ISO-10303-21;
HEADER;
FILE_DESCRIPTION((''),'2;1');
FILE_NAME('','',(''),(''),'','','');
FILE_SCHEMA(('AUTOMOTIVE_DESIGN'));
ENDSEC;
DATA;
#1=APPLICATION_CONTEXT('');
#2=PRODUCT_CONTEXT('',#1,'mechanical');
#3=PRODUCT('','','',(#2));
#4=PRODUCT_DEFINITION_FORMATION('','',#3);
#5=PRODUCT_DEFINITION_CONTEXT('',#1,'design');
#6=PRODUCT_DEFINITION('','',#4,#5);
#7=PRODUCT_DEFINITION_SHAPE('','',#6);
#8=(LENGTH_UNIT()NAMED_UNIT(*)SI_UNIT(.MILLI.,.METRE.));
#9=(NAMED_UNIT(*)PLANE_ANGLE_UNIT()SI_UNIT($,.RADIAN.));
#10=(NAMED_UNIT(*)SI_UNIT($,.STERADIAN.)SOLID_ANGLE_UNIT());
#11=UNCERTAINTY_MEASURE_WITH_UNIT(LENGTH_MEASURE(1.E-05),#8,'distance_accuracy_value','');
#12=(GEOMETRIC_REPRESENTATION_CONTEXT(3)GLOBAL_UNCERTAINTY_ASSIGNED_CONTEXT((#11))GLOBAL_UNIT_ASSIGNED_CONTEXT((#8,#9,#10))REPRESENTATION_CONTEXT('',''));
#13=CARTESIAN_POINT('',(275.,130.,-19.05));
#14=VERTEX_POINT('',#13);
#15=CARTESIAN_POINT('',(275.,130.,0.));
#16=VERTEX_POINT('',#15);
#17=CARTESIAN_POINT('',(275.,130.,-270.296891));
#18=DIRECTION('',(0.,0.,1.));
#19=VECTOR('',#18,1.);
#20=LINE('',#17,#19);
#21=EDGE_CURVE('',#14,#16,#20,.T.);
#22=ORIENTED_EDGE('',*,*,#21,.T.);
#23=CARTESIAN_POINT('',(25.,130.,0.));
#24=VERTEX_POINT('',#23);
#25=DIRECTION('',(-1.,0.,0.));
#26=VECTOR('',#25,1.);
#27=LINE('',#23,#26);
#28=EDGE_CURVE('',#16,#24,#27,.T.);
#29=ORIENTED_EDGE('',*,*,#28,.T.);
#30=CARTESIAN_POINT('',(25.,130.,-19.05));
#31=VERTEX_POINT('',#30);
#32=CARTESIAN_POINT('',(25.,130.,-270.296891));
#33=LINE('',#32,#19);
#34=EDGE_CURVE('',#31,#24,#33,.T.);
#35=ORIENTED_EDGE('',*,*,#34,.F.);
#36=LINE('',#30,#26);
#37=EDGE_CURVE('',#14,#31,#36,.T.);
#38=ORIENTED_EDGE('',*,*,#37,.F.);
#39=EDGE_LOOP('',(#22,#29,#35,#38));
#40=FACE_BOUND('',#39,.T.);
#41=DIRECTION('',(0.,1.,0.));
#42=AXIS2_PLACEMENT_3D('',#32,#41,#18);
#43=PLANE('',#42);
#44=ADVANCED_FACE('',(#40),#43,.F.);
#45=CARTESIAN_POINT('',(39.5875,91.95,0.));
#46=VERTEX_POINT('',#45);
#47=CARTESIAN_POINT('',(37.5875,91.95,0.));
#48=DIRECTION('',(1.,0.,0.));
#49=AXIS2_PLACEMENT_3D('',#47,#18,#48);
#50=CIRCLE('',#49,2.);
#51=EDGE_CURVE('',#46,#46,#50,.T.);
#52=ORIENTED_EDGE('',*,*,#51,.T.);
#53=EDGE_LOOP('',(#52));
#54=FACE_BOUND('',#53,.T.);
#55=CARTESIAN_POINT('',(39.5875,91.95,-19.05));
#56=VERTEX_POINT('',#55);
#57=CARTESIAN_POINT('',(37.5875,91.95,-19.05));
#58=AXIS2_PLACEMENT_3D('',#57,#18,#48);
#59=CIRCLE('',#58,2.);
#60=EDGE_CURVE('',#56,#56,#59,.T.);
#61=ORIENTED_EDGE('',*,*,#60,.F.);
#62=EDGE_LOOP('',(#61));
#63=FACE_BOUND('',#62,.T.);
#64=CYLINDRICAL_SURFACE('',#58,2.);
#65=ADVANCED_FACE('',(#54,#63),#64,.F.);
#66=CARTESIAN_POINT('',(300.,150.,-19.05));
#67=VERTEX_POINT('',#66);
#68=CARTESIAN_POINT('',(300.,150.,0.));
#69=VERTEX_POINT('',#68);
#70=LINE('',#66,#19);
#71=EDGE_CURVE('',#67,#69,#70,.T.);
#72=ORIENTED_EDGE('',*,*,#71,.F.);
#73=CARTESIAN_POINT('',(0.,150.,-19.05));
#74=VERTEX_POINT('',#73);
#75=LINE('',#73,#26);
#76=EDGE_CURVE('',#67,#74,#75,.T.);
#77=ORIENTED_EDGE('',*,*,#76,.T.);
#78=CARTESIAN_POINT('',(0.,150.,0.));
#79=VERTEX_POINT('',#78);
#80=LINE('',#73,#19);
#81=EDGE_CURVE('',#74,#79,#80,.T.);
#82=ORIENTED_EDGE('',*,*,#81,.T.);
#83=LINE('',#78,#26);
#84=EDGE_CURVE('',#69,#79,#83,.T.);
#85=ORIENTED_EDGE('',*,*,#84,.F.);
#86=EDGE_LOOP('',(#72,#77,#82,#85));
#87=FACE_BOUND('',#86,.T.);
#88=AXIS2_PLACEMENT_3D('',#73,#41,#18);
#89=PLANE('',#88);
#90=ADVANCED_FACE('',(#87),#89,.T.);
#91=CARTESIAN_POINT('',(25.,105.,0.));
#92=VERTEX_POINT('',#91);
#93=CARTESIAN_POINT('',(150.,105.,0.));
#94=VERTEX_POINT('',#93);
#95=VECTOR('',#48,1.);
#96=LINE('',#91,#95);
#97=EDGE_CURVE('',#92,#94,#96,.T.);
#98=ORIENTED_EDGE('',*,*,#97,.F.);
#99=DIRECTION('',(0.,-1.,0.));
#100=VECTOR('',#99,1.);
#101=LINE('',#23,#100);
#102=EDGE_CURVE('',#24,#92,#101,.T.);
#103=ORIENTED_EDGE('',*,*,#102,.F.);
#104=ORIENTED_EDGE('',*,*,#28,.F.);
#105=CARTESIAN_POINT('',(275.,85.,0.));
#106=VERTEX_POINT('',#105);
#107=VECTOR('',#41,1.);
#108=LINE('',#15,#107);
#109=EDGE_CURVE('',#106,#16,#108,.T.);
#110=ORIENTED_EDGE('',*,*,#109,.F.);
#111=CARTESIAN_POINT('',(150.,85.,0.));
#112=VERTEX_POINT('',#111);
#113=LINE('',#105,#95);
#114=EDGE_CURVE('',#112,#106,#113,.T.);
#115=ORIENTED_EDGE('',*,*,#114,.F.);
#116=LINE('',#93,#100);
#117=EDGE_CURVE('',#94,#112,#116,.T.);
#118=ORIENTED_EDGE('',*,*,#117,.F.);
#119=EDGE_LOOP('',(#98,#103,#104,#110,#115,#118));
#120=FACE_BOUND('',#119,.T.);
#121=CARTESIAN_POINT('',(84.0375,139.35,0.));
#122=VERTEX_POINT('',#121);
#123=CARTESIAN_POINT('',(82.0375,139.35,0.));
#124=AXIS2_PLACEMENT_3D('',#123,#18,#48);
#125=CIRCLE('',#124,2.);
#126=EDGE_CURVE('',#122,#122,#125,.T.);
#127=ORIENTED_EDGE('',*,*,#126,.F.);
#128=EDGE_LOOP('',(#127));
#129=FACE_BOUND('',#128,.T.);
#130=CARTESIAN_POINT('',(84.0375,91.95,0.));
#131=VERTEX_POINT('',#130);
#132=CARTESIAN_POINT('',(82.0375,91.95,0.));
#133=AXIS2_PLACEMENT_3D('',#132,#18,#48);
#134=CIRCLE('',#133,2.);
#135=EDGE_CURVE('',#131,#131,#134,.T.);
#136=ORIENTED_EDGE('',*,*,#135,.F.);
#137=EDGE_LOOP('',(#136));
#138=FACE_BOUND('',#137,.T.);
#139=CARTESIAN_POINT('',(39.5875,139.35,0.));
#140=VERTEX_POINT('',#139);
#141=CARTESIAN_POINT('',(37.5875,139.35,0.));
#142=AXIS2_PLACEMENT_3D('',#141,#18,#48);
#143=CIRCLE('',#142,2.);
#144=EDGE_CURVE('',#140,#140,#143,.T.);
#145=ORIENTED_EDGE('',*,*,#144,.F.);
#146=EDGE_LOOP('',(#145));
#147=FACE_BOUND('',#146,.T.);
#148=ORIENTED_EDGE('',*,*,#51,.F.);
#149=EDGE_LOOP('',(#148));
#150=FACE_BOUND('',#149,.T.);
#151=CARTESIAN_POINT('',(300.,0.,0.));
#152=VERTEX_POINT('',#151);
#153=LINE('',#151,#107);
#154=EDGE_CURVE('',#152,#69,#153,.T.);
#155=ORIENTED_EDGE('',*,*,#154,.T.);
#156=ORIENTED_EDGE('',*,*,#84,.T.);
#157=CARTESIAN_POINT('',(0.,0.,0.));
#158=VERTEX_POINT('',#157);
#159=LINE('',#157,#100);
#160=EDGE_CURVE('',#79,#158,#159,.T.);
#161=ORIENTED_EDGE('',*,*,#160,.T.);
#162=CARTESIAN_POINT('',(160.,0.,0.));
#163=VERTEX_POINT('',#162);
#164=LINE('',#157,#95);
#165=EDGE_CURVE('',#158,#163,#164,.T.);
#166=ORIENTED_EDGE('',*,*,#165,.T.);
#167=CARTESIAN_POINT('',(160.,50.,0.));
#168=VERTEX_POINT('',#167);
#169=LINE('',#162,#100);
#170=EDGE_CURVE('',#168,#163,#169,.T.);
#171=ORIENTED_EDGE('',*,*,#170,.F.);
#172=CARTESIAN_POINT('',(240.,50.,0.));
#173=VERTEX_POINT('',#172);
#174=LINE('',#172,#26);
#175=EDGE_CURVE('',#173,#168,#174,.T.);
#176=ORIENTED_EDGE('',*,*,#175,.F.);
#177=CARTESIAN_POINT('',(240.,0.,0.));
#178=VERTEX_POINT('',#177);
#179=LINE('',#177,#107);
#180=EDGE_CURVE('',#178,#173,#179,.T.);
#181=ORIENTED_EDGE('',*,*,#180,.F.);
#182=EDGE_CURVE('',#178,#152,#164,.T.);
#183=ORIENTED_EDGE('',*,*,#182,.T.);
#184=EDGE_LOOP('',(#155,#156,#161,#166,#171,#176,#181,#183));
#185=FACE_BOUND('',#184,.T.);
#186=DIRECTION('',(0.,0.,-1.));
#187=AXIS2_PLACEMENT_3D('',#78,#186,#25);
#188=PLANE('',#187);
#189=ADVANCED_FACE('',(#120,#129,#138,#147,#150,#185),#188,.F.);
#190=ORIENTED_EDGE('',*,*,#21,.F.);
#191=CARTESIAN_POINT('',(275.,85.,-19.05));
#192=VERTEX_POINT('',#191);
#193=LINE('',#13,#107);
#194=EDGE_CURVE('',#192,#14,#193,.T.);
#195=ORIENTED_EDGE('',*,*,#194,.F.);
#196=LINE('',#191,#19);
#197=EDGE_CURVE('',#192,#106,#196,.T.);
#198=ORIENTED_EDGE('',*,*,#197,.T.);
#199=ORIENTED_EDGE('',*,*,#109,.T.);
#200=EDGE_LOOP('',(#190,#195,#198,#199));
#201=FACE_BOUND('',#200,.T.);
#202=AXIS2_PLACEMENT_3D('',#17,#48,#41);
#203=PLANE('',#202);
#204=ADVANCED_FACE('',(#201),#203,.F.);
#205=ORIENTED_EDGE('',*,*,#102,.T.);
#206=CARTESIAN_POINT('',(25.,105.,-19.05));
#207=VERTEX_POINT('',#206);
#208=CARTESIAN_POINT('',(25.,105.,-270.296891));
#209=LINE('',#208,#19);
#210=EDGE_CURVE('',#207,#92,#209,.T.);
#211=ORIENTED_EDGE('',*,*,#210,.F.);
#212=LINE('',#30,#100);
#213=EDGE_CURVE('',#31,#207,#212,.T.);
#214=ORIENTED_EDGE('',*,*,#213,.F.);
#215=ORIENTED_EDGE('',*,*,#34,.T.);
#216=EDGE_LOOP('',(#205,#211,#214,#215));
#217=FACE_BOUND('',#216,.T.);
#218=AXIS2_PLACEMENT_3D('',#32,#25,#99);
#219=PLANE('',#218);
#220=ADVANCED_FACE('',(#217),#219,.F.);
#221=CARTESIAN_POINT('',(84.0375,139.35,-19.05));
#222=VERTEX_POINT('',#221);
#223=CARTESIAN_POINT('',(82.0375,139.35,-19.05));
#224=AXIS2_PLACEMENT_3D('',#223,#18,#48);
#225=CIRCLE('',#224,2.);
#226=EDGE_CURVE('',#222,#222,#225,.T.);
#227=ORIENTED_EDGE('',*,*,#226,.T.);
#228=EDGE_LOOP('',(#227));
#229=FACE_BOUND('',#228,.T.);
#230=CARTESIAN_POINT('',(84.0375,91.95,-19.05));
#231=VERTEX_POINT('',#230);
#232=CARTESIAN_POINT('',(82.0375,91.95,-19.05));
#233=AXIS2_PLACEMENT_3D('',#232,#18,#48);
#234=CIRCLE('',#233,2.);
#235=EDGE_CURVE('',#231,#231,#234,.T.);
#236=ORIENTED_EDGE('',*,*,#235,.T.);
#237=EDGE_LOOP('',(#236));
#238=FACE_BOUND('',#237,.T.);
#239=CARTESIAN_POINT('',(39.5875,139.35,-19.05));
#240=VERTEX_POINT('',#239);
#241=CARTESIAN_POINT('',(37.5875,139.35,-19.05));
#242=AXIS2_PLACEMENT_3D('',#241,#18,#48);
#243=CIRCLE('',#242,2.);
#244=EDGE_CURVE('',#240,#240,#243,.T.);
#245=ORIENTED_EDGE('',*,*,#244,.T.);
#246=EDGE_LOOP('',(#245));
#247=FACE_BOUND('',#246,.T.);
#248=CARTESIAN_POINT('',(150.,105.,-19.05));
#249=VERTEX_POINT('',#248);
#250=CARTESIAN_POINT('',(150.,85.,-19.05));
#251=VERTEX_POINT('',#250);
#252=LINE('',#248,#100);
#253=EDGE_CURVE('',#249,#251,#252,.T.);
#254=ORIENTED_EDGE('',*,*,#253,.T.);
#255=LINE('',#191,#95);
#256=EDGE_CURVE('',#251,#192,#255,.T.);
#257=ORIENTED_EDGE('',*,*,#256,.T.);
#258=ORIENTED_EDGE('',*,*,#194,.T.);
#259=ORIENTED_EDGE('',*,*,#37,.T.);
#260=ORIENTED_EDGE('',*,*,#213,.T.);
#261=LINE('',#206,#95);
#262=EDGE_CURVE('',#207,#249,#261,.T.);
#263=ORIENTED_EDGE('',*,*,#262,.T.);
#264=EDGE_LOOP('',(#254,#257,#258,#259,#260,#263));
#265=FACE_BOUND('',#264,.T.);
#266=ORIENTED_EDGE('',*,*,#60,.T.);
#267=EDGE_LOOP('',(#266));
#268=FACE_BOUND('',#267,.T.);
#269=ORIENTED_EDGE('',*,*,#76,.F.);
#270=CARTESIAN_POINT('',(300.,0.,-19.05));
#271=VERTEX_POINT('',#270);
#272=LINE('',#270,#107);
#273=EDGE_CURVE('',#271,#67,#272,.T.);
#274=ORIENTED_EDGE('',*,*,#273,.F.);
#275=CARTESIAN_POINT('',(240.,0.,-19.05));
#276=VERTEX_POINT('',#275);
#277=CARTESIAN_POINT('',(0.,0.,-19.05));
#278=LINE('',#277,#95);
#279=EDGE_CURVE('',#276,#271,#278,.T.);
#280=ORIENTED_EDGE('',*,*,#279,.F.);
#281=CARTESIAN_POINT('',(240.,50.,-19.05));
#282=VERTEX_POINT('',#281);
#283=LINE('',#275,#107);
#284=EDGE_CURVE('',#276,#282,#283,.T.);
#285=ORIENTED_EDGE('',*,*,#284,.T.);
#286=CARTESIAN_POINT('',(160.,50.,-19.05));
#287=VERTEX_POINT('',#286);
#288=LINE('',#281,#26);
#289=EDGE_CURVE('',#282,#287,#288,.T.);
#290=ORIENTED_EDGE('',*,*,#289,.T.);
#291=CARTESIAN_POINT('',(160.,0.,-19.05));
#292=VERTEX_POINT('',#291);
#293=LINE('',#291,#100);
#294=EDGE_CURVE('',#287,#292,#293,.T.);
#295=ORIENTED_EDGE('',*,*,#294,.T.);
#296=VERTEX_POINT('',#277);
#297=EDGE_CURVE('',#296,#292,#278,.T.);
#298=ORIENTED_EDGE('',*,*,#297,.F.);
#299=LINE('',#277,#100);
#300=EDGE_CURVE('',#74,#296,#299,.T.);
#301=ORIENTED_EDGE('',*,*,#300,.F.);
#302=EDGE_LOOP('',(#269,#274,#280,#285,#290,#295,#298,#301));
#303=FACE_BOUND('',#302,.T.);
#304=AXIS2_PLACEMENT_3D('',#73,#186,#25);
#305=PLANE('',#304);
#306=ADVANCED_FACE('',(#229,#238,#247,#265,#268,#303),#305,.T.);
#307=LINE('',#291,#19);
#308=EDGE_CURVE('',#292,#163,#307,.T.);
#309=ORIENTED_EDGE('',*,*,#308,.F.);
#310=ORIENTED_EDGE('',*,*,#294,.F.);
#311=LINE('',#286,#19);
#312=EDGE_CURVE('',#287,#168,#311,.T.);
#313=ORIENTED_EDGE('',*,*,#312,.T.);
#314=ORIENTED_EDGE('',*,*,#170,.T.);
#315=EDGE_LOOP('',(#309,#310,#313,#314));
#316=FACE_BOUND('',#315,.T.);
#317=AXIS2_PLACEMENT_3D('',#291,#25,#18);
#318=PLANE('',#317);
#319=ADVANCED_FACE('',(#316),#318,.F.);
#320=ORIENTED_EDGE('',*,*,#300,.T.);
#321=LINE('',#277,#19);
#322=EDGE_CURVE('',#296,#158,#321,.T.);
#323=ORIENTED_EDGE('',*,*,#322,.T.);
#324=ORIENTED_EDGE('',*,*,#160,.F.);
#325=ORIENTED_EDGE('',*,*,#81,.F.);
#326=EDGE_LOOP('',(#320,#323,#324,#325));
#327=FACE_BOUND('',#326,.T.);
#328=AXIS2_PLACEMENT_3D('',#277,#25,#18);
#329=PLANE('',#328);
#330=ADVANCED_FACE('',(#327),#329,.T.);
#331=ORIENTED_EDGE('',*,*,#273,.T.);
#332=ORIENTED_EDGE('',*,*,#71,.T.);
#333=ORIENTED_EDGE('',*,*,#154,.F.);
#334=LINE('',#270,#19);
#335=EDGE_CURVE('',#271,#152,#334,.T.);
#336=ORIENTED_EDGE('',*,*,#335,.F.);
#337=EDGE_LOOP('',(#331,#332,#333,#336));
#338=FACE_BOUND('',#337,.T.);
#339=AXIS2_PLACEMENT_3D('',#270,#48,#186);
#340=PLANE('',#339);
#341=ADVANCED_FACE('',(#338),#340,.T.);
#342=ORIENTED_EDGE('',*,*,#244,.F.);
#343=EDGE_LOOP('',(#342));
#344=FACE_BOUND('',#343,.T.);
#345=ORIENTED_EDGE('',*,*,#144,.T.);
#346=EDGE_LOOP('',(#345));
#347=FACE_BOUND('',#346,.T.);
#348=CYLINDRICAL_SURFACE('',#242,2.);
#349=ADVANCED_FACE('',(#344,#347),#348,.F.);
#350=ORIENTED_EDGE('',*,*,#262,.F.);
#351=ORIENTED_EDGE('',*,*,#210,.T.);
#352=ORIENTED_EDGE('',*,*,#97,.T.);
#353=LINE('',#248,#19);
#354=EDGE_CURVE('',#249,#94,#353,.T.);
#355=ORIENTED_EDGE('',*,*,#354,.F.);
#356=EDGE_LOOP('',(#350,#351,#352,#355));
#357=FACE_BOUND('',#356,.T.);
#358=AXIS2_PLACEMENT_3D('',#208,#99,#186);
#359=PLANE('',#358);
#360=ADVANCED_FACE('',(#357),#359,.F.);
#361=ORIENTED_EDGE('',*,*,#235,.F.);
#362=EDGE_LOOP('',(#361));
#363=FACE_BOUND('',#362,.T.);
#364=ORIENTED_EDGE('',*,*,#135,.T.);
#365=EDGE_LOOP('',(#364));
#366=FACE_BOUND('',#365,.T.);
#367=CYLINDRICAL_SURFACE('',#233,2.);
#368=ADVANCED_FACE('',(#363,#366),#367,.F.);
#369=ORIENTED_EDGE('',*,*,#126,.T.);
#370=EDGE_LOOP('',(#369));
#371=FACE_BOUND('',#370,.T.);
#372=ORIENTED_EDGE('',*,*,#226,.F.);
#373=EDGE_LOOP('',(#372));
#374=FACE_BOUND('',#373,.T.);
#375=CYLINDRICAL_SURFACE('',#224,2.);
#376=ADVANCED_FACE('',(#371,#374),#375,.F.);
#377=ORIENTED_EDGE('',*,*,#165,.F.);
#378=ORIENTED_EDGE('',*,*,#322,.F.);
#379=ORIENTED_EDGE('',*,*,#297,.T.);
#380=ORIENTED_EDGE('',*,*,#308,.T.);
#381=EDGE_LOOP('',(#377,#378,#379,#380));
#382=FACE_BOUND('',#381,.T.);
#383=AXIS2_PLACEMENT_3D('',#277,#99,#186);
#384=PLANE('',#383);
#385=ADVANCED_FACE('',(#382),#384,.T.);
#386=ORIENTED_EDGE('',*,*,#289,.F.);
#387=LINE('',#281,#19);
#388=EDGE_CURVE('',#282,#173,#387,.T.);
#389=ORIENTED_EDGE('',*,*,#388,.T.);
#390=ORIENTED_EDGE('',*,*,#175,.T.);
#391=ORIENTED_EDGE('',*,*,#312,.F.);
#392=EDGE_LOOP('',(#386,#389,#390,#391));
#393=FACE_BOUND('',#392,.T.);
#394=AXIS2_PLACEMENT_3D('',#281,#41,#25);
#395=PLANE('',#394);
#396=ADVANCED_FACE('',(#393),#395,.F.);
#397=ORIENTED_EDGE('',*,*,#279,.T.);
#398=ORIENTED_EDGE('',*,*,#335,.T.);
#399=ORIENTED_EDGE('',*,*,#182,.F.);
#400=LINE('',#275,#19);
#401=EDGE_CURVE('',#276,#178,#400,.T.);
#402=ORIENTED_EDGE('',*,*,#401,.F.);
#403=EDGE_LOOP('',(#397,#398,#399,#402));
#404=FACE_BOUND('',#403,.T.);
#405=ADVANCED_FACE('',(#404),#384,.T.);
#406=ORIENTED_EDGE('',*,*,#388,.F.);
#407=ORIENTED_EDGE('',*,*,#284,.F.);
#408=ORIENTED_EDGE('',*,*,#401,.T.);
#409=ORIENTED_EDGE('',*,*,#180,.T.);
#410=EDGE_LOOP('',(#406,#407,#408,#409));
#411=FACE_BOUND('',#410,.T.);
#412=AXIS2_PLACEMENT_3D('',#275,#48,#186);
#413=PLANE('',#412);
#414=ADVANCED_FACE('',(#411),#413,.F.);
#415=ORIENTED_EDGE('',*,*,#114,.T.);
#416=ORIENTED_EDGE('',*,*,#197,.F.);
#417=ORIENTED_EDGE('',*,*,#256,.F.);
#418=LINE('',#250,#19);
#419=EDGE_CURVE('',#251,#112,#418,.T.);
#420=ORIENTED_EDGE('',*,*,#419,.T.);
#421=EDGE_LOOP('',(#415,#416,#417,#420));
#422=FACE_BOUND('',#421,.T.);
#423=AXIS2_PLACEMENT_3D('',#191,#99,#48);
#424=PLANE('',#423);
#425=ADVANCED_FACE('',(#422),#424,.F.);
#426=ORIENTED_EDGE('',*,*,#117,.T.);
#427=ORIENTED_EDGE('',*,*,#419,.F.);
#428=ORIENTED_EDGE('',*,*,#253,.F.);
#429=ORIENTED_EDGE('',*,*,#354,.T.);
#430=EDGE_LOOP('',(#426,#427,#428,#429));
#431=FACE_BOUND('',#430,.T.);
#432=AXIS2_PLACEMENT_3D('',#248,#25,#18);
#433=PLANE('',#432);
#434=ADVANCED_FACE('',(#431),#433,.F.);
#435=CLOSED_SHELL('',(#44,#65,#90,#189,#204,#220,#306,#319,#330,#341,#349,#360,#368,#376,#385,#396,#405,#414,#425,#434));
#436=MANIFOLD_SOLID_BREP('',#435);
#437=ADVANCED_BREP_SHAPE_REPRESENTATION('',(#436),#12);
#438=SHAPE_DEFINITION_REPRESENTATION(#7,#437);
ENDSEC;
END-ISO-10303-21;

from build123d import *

# Parameters (mm, degrees)
SKETCH1_W          = 300
SKETCH1_H          = 150
BLOCK_DEPTH        = 19.05
SKETCH3_W          = 250
SKETCH3_H          = 25
CUT_EXTRUDE2_DEPTH = 39.961179
SKETCH6_W          = 125
SKETCH6_H          = 20
CUT_EXTRUDE5_DEPTH = 20.05
SKETCH7_W          = 80
SKETCH7_H          = 50
CUT_EXTRUDE6_DEPTH = 20.05
SKETCH8_R          = 2
CUT_EXTRUDE7_DEPTH = 20.05


with BuildPart() as part:
    # Sketch1 → block (new body)
    with BuildSketch(Plane.XY):
        with Locations((150, 75)):
            Rectangle(SKETCH1_W, SKETCH1_H)
    extrude(amount=-BLOCK_DEPTH)

    # Sketch3 → Cut-Extrude2 (cut)
    with BuildSketch(Plane.XY):
        with Locations((150, 117.5)):
            Rectangle(SKETCH3_W, SKETCH3_H)
    extrude(amount=-CUT_EXTRUDE2_DEPTH, mode=Mode.SUBTRACT)

    # Sketch6 → Cut-Extrude5 (cut, through all)
    with BuildSketch(Plane.XY):
        with Locations((212.5, 95)):
            Rectangle(SKETCH6_W, SKETCH6_H)
    extrude(amount=-CUT_EXTRUDE5_DEPTH, mode=Mode.SUBTRACT)

    # Sketch7 → Cut-Extrude6 (cut, through all)
    with BuildSketch(Plane.XY):
        with Locations((200, 25)):
            Rectangle(SKETCH7_W, SKETCH7_H)
    extrude(amount=-CUT_EXTRUDE6_DEPTH, mode=Mode.SUBTRACT)

    # Sketch8 → Cut-Extrude7 (cut, through all)
    with BuildSketch(Plane.XY):
        with Locations((37.5875, 139.35)):
            Circle(SKETCH8_R)
        with Locations((82.0375, 139.35)):
            Circle(SKETCH8_R)
        with Locations((37.5875, 91.95)):
            Circle(SKETCH8_R)
        with Locations((82.0375, 91.95)):
            Circle(SKETCH8_R)
    extrude(amount=-CUT_EXTRUDE7_DEPTH, mode=Mode.SUBTRACT)


solid = part.part
